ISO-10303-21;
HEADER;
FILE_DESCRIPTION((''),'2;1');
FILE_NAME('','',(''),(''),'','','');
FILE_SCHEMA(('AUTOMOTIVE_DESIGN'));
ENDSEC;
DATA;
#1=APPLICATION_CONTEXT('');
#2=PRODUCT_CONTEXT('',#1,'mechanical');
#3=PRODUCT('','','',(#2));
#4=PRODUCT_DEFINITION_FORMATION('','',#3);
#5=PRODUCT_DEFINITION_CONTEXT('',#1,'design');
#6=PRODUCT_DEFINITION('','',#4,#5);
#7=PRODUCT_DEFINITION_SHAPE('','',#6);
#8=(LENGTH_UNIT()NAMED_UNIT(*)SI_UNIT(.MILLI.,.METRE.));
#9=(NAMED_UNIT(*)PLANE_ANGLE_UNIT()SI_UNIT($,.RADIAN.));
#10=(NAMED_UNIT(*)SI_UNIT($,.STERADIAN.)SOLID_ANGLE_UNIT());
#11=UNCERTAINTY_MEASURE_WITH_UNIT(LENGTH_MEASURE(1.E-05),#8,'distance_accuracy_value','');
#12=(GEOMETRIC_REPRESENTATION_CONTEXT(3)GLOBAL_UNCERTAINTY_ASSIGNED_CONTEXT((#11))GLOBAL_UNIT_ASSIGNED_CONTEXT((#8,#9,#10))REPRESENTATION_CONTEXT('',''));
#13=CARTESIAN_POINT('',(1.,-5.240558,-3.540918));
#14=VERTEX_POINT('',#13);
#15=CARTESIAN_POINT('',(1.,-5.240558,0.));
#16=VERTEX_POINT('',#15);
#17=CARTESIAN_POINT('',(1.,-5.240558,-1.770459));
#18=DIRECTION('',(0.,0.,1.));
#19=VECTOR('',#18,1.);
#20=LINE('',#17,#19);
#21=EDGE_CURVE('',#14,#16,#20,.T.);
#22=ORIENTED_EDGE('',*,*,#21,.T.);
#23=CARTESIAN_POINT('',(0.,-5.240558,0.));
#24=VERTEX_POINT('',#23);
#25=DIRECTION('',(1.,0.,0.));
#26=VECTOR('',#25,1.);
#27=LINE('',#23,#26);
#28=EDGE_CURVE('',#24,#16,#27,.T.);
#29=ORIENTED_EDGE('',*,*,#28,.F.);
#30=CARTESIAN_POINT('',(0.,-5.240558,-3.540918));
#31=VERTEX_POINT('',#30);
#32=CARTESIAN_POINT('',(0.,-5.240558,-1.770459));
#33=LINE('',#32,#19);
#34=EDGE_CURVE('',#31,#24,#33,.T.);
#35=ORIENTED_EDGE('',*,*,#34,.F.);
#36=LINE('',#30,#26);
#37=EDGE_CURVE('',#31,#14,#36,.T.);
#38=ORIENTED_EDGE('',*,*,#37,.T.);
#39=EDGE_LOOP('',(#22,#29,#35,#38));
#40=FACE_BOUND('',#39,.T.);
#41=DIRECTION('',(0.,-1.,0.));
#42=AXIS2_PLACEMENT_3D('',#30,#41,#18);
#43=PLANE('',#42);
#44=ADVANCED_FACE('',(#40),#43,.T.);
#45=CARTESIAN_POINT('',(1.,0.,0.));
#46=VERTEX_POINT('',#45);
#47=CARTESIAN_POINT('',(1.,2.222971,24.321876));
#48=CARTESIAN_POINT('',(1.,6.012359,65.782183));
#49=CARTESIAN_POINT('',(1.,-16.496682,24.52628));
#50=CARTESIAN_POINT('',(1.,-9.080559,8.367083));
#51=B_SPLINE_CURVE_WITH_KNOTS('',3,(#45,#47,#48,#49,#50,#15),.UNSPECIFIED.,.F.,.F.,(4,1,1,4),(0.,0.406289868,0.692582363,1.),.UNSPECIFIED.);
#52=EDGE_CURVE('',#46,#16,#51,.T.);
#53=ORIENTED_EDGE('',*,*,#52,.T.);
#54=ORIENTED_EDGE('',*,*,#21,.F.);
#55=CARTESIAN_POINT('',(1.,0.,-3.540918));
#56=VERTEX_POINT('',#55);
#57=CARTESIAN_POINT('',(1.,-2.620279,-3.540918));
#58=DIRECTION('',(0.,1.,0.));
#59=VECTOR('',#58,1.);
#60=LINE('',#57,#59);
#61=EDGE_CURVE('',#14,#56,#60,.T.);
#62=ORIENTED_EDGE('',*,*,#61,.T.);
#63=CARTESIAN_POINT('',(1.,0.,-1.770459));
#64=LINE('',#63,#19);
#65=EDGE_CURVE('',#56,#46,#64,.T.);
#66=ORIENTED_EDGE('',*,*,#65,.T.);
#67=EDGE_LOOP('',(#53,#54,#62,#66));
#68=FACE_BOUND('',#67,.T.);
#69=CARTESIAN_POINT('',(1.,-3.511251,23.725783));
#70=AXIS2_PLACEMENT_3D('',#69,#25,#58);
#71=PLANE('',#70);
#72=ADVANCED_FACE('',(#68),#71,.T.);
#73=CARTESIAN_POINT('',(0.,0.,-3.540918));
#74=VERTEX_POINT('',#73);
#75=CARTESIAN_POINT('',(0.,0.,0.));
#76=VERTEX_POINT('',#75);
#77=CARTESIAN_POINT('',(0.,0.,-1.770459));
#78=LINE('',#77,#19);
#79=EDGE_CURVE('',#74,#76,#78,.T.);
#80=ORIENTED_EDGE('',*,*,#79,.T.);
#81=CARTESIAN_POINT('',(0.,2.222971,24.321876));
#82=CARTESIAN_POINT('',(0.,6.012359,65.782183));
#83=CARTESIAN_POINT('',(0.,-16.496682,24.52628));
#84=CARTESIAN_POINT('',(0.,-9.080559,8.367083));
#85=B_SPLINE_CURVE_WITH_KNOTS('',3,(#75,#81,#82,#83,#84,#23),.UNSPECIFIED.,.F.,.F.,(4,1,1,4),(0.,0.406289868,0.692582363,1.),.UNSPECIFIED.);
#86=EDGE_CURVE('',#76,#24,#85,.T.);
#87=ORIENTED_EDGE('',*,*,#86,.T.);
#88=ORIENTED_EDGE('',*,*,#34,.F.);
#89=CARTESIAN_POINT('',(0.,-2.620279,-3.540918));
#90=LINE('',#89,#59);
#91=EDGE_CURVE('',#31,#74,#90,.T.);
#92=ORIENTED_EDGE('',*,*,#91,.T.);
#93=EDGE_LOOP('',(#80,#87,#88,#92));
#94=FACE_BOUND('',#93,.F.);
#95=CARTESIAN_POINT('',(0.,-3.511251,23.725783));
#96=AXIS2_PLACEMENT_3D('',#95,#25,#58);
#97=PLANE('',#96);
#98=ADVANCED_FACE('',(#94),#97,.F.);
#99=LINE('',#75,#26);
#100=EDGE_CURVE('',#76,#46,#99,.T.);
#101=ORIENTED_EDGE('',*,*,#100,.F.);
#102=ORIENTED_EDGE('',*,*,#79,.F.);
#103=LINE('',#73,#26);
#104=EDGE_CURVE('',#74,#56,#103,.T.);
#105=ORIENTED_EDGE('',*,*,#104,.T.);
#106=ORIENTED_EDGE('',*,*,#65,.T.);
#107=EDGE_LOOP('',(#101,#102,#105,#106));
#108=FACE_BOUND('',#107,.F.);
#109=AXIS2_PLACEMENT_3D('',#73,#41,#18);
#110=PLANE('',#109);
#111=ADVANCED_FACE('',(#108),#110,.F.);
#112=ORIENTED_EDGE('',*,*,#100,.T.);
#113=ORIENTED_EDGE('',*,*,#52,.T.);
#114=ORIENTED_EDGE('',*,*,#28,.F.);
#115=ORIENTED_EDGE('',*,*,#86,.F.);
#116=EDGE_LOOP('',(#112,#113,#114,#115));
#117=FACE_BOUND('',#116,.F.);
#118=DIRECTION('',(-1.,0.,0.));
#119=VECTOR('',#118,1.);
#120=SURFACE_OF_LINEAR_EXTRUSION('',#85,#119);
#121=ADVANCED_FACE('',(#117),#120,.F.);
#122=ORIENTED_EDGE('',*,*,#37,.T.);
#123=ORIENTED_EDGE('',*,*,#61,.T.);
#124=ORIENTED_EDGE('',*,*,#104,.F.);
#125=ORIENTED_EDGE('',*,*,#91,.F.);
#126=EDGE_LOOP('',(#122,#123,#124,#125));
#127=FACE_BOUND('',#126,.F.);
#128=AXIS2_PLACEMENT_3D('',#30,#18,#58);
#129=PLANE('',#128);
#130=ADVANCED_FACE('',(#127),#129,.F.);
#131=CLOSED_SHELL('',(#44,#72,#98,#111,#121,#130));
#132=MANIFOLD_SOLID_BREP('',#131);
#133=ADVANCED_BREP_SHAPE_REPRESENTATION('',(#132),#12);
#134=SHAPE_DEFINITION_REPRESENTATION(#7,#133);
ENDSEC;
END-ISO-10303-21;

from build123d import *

# Parameters (mm, degrees)
F0_W     = 5.240558181
F0_H     = 3.5409175325
F1_DEPTH = 1


with BuildPart() as f1:
    # F0 (on Right) → F1 (new body)
    with BuildSketch(Plane.YZ):
        with BuildLine():
            Line((-5.240558181, 0), (0, 0))
            add(Edge.make_bspline(
                [(0, 0), (2.2229705536, 24.321876103), (6.0123591647, 65.7821825186), (-16.4966818002, 24.5262800961), (-9.0805585071, 8.3670832654), (-5.240558181, 0)],
                knots=[0, 0, 0, 0, 0.4062898679, 0.6925823627, 1, 1, 1, 1], degree=3))
        make_face()
        with Locations((-2.6202790905, -1.7704587663)):
            Rectangle(F0_W, F0_H)
    extrude(amount=F1_DEPTH)


solid = f1.part
